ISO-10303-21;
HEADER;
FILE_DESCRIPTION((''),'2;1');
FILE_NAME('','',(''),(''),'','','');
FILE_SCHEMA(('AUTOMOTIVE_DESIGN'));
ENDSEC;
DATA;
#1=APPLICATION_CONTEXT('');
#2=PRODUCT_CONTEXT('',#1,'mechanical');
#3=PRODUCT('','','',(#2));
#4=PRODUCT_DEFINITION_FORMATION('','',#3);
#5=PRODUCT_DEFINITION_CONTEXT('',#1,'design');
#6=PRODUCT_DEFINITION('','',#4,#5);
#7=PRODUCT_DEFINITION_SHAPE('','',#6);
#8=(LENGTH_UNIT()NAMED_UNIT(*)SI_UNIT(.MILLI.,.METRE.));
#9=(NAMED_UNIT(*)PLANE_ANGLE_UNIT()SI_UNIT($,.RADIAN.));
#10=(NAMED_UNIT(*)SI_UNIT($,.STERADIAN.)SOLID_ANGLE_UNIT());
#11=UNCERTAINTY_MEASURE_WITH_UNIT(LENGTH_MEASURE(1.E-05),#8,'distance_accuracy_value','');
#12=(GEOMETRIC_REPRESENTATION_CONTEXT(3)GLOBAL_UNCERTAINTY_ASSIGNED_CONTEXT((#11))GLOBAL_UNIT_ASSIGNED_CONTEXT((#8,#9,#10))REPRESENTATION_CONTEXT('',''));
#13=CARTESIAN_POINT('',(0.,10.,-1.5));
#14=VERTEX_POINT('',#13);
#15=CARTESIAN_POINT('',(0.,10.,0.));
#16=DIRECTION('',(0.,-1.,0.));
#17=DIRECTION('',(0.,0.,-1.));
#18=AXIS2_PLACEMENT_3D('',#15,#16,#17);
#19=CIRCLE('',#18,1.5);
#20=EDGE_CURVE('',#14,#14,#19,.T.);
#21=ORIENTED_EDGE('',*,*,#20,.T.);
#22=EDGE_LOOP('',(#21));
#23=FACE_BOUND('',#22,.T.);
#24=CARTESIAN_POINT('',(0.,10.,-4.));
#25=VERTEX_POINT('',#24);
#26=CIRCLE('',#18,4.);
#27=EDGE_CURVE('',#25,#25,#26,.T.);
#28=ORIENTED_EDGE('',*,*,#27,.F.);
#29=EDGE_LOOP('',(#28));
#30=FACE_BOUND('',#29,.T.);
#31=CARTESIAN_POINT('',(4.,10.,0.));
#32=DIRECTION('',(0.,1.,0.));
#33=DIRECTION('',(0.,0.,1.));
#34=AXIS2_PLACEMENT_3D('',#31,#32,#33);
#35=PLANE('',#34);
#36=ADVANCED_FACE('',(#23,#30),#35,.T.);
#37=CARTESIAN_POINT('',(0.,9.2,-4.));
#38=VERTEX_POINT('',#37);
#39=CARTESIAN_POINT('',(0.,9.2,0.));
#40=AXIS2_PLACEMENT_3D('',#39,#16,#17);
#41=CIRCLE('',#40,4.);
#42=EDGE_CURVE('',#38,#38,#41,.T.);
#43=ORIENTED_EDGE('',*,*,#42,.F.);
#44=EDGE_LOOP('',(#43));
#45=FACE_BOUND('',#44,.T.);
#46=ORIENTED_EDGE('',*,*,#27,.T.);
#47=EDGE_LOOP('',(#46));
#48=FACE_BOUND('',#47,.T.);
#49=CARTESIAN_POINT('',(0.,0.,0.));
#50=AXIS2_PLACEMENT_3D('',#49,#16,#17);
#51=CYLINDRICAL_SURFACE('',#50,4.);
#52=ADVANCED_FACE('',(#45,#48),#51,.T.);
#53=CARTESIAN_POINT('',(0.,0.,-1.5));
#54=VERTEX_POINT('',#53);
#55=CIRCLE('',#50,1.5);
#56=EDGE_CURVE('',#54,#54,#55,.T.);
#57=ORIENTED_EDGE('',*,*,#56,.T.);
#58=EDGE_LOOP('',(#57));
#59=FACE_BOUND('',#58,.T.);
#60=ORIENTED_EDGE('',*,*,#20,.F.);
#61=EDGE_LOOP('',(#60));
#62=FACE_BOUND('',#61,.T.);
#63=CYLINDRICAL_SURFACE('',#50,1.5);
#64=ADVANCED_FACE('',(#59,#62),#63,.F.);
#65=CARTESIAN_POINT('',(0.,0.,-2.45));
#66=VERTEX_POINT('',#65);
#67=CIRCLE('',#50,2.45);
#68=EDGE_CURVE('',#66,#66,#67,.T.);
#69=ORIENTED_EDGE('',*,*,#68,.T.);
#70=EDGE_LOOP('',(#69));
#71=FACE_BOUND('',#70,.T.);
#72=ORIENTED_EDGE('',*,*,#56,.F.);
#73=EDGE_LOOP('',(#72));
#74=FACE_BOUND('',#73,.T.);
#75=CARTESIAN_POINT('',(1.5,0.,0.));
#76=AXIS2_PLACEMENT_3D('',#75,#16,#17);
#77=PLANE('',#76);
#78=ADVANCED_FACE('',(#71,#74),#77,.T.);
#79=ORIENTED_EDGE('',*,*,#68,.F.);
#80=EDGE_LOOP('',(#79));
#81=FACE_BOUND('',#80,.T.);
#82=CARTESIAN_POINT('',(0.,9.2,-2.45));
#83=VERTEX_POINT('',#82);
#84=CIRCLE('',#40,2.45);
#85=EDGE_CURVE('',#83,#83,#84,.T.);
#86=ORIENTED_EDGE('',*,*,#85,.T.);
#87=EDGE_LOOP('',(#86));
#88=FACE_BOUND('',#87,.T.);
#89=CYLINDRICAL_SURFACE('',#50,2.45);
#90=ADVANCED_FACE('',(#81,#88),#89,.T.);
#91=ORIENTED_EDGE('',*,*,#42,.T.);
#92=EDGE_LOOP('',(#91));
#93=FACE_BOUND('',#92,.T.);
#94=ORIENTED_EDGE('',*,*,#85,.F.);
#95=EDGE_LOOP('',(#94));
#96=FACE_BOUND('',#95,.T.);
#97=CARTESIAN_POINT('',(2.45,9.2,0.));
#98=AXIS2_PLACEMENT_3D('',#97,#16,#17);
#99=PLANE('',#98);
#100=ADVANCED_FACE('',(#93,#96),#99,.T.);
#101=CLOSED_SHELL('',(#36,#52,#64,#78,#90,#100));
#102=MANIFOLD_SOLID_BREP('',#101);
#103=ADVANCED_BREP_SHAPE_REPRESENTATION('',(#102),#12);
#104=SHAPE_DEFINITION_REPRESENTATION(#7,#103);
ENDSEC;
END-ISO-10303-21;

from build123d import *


with BuildPart() as part:
    # Sketch1 → Revolve1 (revolve)
    with BuildSketch(Plane.XY):
        Polygon((4, 10), (1.5, 10), (1.5, 0), (2.45, 0), (2.45, 9.2), (4, 9.2), align=None)
    revolve(axis=Axis((0, 0, 0), (0, 1, 0)))


solid = part.part
